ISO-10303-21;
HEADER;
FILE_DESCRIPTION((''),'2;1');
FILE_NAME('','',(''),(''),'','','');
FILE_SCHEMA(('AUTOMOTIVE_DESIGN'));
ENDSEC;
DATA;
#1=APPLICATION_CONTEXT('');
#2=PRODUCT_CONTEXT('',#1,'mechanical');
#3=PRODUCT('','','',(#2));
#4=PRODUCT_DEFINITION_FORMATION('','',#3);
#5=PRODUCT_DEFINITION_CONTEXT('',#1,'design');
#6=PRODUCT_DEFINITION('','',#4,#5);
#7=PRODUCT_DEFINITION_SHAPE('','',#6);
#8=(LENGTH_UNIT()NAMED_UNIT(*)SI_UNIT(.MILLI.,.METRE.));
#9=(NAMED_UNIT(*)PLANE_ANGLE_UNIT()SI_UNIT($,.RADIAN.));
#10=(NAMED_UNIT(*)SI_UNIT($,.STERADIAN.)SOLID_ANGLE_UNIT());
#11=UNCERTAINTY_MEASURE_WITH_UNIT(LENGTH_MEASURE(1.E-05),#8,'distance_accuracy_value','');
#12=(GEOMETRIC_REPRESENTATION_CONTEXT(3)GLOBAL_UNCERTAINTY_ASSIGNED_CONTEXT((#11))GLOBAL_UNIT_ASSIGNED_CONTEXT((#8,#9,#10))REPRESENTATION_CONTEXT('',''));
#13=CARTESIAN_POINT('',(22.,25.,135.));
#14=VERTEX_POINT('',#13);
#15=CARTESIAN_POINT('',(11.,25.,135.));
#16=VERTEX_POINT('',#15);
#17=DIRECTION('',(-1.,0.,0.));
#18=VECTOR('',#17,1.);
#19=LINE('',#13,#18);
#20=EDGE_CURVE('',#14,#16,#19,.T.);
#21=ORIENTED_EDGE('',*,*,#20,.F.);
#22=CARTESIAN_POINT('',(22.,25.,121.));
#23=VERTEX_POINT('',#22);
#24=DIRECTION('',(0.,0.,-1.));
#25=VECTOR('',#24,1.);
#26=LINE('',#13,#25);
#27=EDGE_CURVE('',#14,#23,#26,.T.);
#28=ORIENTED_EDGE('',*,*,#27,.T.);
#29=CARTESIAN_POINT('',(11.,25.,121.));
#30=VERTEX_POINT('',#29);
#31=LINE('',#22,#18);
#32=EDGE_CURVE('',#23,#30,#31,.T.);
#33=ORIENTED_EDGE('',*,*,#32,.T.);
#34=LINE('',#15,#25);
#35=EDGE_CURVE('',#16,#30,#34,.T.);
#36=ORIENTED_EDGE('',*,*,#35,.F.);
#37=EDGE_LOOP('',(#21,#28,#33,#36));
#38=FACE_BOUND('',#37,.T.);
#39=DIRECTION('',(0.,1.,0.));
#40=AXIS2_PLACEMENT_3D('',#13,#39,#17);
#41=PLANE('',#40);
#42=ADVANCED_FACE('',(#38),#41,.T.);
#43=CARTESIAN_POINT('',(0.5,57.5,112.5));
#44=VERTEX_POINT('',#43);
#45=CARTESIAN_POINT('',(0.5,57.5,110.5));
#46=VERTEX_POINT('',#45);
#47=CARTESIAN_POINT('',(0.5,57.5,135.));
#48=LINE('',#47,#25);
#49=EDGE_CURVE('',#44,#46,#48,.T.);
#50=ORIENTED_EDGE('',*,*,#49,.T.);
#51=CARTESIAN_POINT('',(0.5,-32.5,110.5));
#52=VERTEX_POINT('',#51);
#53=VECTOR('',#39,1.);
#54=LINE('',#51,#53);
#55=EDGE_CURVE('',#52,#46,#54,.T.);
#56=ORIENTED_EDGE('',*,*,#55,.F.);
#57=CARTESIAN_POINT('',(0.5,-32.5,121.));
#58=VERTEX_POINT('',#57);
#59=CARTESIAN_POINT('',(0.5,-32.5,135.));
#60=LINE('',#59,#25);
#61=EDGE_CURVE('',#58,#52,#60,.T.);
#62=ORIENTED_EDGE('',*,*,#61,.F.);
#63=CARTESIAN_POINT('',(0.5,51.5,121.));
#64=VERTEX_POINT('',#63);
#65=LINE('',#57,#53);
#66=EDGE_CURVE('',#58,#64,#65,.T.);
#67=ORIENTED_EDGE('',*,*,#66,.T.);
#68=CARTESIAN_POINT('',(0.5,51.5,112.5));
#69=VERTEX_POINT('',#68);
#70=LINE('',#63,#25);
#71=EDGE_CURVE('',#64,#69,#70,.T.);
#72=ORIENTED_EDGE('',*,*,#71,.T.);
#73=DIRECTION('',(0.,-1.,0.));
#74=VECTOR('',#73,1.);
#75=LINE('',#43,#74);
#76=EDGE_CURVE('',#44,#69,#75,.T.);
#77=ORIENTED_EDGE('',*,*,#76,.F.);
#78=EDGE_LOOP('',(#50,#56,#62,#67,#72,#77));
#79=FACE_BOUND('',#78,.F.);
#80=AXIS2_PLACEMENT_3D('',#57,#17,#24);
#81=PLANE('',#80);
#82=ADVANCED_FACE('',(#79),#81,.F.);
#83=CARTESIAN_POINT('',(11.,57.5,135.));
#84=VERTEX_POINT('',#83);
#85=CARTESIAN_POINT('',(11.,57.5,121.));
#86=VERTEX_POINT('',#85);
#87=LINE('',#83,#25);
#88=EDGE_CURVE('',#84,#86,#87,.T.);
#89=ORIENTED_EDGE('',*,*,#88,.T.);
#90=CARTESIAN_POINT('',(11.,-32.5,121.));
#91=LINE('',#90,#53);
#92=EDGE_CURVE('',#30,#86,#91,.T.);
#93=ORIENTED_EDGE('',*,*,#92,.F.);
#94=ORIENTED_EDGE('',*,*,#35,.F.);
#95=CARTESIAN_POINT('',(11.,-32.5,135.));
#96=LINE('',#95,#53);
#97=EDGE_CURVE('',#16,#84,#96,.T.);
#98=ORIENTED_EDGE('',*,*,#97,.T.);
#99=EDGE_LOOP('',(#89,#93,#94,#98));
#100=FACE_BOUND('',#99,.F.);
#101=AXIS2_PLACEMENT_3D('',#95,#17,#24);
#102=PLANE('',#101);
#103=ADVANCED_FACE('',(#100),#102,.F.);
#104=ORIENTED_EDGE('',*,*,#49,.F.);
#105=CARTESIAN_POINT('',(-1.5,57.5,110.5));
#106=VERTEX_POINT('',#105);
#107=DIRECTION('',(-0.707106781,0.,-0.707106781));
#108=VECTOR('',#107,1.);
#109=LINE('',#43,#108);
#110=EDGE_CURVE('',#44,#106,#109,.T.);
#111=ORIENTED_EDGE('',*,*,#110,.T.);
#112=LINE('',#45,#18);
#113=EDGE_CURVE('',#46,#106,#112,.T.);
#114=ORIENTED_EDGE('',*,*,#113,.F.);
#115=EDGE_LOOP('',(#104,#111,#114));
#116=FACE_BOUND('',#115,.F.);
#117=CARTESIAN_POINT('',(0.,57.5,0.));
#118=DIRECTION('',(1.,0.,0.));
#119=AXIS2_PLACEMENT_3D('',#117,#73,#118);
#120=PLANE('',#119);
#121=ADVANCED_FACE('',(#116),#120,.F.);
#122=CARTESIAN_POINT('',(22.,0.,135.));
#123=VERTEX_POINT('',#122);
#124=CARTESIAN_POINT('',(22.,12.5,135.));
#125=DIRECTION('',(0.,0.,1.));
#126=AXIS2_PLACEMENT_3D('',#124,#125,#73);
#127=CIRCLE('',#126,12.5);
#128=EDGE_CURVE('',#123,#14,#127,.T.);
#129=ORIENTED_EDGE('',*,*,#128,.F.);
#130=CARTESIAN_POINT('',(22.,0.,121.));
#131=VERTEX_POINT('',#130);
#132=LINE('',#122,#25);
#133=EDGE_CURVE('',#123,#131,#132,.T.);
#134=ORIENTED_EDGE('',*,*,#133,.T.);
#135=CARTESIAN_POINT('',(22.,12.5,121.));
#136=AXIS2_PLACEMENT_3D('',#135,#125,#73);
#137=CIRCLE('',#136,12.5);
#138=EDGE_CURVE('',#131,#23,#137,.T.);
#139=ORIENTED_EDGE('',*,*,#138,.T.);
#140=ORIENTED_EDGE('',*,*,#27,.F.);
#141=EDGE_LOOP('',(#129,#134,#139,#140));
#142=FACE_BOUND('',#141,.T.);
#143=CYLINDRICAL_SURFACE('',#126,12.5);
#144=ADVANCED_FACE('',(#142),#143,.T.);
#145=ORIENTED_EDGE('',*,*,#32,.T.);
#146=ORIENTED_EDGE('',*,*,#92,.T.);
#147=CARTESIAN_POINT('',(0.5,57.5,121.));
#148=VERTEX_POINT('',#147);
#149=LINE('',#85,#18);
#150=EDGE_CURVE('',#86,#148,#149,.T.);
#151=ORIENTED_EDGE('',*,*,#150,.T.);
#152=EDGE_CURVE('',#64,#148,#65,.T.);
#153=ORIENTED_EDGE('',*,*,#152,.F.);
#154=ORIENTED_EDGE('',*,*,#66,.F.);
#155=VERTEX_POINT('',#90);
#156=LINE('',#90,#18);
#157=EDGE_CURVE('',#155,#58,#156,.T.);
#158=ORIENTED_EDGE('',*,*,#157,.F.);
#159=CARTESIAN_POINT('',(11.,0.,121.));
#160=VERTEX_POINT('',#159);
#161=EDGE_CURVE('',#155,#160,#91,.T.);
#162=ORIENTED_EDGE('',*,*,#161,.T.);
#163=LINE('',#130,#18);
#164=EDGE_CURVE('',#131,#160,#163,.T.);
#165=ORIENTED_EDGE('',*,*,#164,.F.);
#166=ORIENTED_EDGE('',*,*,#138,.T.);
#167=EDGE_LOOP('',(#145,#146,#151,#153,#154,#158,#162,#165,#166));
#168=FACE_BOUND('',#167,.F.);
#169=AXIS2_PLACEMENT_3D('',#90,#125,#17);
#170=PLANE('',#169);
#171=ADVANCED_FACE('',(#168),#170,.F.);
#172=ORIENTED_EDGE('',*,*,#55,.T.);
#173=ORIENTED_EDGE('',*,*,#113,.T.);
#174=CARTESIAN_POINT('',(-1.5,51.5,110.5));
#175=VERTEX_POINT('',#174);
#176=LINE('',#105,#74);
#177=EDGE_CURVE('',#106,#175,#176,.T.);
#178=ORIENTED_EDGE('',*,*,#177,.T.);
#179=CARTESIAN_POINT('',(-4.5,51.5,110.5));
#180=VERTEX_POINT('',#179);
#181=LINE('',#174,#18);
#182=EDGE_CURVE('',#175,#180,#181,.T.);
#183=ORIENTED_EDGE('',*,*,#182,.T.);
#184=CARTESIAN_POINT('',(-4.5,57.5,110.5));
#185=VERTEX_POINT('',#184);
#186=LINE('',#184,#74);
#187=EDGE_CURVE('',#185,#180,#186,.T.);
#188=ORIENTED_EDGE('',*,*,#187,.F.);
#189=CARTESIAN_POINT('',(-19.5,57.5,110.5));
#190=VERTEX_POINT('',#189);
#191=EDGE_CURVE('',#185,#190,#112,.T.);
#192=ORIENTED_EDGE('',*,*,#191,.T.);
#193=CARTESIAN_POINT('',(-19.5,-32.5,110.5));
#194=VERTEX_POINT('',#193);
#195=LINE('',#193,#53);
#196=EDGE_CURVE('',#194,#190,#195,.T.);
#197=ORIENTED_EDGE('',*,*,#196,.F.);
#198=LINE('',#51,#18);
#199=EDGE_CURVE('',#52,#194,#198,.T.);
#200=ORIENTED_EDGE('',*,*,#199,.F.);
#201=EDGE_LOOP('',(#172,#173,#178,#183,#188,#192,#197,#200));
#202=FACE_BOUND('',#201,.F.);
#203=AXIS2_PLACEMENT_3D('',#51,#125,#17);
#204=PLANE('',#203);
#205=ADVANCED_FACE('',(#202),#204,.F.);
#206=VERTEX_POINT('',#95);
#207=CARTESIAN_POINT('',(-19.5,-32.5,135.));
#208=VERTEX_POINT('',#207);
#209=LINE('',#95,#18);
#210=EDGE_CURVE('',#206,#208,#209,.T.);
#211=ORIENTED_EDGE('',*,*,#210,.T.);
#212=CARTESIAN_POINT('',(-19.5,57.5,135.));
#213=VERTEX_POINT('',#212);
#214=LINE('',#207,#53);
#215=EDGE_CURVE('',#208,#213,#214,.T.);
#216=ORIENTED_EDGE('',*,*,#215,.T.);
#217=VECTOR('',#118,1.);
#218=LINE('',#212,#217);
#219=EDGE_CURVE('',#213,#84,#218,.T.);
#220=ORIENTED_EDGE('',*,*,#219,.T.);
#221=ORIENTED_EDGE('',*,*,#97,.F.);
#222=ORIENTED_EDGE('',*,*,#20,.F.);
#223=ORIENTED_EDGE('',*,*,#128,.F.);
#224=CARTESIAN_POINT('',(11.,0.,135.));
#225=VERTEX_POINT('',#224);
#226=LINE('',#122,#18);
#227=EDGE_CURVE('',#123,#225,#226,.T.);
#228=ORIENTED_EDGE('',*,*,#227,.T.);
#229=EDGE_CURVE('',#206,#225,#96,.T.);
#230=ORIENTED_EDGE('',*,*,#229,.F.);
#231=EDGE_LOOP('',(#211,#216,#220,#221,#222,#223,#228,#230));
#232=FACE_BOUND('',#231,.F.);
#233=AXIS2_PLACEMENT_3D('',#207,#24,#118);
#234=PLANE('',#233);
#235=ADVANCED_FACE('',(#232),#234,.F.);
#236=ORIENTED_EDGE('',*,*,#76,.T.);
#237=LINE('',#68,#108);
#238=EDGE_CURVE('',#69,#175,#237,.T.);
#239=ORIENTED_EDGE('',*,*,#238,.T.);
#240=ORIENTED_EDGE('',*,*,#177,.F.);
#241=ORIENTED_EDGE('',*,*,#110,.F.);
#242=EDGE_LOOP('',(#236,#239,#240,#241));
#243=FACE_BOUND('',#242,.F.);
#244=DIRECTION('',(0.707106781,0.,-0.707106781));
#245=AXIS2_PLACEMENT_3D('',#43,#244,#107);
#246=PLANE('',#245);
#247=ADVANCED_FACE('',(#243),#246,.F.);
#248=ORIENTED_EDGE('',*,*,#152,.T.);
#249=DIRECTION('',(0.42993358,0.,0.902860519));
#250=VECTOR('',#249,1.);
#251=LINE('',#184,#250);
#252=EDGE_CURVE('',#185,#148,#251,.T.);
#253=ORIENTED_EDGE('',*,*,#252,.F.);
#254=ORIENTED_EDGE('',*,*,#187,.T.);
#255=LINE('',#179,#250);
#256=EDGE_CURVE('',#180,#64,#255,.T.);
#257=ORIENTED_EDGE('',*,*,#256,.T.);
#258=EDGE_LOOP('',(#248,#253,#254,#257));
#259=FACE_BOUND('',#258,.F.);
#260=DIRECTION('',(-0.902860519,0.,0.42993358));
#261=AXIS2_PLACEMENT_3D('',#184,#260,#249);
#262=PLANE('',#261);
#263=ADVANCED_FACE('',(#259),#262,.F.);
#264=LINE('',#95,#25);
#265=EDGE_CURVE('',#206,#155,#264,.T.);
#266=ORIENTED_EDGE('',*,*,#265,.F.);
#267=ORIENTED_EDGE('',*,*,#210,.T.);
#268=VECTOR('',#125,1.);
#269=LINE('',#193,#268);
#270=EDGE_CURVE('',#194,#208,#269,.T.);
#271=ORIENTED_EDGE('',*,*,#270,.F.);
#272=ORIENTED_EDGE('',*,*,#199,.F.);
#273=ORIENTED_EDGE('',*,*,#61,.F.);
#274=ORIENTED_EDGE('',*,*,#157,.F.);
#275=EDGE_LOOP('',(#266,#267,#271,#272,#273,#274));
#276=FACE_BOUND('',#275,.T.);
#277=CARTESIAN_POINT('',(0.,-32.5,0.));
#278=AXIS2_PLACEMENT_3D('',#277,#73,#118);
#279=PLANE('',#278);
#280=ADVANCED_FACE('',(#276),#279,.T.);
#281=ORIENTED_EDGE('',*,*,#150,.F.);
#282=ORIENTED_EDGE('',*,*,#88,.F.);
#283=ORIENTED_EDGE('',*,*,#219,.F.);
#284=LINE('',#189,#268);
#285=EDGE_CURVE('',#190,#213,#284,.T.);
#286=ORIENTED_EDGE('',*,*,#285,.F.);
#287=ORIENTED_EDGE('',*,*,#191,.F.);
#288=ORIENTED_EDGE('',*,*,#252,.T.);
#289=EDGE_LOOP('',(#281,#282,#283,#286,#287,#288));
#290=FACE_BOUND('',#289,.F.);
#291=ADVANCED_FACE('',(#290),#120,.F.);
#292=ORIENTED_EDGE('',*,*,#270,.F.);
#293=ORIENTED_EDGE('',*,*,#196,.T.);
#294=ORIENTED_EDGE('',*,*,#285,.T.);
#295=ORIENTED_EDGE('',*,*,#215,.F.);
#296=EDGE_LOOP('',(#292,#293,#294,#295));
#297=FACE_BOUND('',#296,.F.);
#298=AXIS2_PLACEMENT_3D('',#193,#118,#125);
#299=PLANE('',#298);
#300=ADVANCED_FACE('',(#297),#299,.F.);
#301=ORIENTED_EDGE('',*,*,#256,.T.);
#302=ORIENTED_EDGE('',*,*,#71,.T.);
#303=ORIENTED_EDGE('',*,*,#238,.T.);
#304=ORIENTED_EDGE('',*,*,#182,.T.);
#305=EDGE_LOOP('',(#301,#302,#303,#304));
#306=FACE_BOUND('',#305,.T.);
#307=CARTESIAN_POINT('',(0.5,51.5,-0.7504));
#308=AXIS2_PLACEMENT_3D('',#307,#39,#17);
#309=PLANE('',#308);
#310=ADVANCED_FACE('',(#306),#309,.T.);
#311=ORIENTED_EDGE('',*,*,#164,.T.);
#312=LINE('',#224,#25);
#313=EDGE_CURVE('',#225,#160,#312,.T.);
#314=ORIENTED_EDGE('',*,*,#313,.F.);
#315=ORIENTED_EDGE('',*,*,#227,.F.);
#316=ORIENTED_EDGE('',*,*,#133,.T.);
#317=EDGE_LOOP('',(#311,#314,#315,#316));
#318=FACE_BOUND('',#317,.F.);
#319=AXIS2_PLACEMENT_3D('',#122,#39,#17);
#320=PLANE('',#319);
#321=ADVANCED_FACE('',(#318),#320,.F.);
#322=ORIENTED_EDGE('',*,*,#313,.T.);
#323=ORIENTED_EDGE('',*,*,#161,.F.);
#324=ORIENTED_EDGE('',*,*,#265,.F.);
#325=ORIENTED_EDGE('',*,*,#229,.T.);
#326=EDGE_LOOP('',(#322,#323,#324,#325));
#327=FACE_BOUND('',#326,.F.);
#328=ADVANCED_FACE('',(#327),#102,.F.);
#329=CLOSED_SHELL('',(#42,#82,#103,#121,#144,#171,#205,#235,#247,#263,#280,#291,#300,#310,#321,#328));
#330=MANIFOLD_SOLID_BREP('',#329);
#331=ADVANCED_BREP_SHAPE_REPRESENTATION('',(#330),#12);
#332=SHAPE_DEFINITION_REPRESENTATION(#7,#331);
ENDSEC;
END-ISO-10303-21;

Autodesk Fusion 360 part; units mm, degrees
sketch "sketch 237" plane through (0, -32.5, 0) normal (0, -1, 0) x (1, 0, 0)
  line L0 (-84, 110) -> (-109, 105)
  line L1 (-109, 105) -> (-109, 102.5)
  line L2 (-109, 102.5) -> (11, 102.5)
  line L3 (11, 102.5) -> (11, 120)
  line L4 (11, 120) -> (1, 120)
  line L5 (1, 120) -> (1, 110)
  line L6 (1, 110) -> (-84, 110)
  line L7 (0.5, 110.5) -> (-19.5, 110.5)
  line L8 (-19.5, 110.5) -> (-19.5, 135)
  line L9 (-19.5, 135) -> (0.5, 135)
  line L10 (0.5, 135) -> (0.5, 110.5)
  line L11 (0.5, 135) -> (11, 135)
  line L12 (11, 135) -> (11, 121)
  line L13 (11, 121) -> (0.5, 121)
  line L14 (0.5, 121) -> (0.5, 135)
  dimension "d50" = 0.5
  dimension "d51" = 0.5
  dimension "d52" = 15
  dimension "d53" = 20
  dimension "d54" = 1
extrude "Extrude1" add sketch "sketch 237" against normal blind 90 contours L7 L8 L9 L10 L14 | L10 L11 L12 L13 L14
sketch "sketch 690" plane through (0, 0, 135) normal (0, 0, 1) x (-1, 0, 0)
  line L0 (-10, -39) -> (-11, -40)
  line L1 (-11, -40) -> (-11, -47.5)
  line L2 (-11, -47.5) -> (-1, -57.5)
  line L3 (-1, -57.5) -> (9.5, -57.5)
  line L4 (9.5, -57.5) -> (9.5, 32.5)
  line L5 (9.5, 32.5) -> (-1, 32.5)
  line L6 (-1, 32.5) -> (-11, 22.5)
  line L7 (-11, 22.5) -> (-11, 15)
  line L8 (-11, 15) -> (-10, 14)
  line L9 (-10, 14) -> (-8, 14)
  line L10 (-8, 14) -> (-8, 5.5)
  line L11 (-8, 5.5) -> (-10, 5.5)
  line L12 (-10, 5.5) -> (-11, 4.5)
  line L13 (-11, 4.5) -> (-11, -29.5)
  line L14 (-11, -29.5) -> (-10, -30.5)
  line L15 (-10, -30.5) -> (-8, -30.5)
  line L16 (-8, -30.5) -> (-8, -39)
  line L17 (-8, -39) -> (-10, -39)
  line L18 (-11, -12.5) -> (-22, -12.5) construction
  line L19 (-22, -12.5) -> (-22, -25) construction
  line L20 (-22, -25) -> (-11, -25)
  line L21 (-22, 0) -> (-11, 0)
  line L22 (-22, -12.5) -> (-22, 0) construction
  arc A0 (-22, 0) -> (-22, -25) centre (-22, -12.5) ccw
  dimension "d66" = 11
  dimension "d67" = 12.5
extrude "Extrude3" add sketch "sketch 690" against normal up to surface (14 mm away) contours L13 L20 L21 A0
sketch "sketch 1375" plane through (0.5, 57.5, -0.7504) normal (0, 1, 0) x (-1, 0, 0)
  line L0 (2, 111.2504) -> (5, 111.2504)
  line L1 (2, 111.2504) -> (5, 111.2504)
  line L2 (2, 111.2504) -> (5, 111.2504)
  line L3 (5, 111.2504) -> (0, 121.7504)
  line L4 (0, 121.7504) -> (0, 113.2504)
  line L5 (0, 121.7504) -> (0, 113.2504)
  line L6 (0, 121.7504) -> (0, 113.2504)
  line L7 (0, 113.2504) -> (2, 111.2504)
  line L8 (0, 113.2504) -> (2, 111.2504)
  line L9 (0, 113.2504) -> (2, 111.2504)
extrude "Extrude4" cut sketch "sketch 1375" against normal blind 6
